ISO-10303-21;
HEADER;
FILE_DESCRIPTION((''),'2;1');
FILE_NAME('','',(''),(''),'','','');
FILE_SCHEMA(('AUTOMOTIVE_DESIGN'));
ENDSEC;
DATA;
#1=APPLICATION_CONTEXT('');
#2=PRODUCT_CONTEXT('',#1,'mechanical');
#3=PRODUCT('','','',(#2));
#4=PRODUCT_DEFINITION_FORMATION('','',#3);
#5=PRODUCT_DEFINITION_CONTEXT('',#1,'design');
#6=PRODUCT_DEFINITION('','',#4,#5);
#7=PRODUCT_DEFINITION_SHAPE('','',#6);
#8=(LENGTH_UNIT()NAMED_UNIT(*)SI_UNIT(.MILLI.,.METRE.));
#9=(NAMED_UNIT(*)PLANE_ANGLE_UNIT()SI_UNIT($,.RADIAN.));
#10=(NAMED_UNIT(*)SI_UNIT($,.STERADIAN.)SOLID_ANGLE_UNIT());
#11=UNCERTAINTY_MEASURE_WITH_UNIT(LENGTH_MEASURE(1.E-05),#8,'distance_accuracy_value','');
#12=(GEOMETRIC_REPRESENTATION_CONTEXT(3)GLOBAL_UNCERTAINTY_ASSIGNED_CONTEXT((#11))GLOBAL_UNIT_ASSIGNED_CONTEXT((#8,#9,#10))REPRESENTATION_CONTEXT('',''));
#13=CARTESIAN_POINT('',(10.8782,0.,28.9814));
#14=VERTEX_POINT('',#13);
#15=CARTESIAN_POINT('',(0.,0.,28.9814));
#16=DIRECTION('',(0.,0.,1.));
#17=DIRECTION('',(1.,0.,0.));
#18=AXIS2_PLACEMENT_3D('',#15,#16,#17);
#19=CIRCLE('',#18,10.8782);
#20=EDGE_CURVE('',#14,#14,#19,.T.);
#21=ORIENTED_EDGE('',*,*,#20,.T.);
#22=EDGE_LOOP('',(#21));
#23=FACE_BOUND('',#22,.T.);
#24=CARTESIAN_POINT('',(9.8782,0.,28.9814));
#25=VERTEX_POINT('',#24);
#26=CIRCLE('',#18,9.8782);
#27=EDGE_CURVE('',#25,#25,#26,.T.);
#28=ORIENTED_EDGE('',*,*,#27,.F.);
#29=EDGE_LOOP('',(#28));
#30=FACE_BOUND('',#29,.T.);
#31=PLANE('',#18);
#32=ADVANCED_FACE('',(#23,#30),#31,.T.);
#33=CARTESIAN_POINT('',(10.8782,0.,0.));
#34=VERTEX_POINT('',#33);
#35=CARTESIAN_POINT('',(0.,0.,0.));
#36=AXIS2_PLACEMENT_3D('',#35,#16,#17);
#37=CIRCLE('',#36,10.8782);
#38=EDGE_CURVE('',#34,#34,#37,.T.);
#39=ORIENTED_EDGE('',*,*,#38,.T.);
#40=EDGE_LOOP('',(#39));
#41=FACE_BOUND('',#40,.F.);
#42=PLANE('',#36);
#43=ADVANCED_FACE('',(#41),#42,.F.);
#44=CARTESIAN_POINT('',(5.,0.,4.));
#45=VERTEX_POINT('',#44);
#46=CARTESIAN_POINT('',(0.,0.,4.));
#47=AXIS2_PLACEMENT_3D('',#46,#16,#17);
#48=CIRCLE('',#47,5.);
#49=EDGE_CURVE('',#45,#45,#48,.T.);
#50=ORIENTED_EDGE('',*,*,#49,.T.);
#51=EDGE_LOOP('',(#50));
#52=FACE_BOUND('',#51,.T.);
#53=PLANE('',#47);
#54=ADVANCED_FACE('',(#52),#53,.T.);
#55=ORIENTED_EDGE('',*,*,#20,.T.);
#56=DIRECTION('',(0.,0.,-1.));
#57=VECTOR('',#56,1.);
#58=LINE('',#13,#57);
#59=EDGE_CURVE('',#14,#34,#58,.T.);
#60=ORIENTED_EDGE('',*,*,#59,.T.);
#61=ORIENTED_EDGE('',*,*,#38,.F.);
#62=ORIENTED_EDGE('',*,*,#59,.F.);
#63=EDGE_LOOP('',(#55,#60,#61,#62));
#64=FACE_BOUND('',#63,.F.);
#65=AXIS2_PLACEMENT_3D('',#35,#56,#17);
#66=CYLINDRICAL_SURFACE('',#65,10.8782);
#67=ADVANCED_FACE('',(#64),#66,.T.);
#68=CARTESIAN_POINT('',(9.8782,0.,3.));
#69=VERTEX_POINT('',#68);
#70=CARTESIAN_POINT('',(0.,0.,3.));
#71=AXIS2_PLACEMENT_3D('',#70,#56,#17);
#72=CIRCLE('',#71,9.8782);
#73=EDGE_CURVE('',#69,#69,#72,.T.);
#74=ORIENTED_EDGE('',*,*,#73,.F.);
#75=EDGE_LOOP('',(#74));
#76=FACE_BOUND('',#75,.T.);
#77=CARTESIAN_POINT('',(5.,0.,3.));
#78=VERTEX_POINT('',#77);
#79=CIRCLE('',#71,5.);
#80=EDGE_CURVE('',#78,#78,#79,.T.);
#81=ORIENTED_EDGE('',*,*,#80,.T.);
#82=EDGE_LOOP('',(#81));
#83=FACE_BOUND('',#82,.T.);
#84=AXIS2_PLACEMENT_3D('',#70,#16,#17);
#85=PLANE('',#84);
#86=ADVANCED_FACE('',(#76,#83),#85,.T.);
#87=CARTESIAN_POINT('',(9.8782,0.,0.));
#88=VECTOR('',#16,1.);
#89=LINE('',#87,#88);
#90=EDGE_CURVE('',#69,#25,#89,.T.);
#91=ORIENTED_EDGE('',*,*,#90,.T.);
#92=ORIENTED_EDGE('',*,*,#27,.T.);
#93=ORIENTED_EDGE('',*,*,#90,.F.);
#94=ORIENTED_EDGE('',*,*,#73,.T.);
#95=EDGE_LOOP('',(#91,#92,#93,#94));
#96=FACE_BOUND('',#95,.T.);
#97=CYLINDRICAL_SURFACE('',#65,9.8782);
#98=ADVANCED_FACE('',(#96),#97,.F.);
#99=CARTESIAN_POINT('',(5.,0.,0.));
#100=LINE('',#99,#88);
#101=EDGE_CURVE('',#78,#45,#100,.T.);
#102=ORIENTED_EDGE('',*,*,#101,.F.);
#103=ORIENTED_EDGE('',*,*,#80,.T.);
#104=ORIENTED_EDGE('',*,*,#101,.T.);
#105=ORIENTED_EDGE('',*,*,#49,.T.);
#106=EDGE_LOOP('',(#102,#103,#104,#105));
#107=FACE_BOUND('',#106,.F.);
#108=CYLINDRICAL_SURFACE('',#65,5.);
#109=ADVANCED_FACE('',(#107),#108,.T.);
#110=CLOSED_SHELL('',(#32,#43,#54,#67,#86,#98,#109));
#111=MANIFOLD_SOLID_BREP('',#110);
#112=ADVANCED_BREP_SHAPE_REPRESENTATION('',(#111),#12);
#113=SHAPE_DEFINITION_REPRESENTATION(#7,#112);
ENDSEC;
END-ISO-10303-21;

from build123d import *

# Parameters (mm, degrees)
F0_R     = 10.8782
F0_R_2   = 9.8782
F0_R_3   = 6.5
F0_R_4   = 5.4
F0_R_5   = 5
F1_DEPTH = 3
F2_DEPTH = 28.9814
F3_DEPTH = 4


with BuildPart() as f1:
    # F0 (on Top) → F1 (new body)
    with BuildSketch(Plane.XY):
        Circle(F0_R)
        Circle(F0_R_2, mode=Mode.SUBTRACT)
        Circle(F0_R_2)
        Circle(F0_R_3, mode=Mode.SUBTRACT)
        Circle(F0_R_3)
        Circle(F0_R_4, mode=Mode.SUBTRACT)
        Circle(F0_R_4)
        Circle(F0_R_5, mode=Mode.SUBTRACT)
        Circle(F0_R_5)
    extrude(amount=F1_DEPTH)

    # F0 (on Top) → F2 (join)
    with BuildSketch(Plane.XY):
        Circle(F0_R)
        Circle(F0_R_2, mode=Mode.SUBTRACT)
    extrude(amount=F2_DEPTH)

    # F0 (on Top) → F3 (join)
    with BuildSketch(Plane.XY):
        Circle(F0_R_5)
    extrude(amount=F3_DEPTH)


solid = f1.part
